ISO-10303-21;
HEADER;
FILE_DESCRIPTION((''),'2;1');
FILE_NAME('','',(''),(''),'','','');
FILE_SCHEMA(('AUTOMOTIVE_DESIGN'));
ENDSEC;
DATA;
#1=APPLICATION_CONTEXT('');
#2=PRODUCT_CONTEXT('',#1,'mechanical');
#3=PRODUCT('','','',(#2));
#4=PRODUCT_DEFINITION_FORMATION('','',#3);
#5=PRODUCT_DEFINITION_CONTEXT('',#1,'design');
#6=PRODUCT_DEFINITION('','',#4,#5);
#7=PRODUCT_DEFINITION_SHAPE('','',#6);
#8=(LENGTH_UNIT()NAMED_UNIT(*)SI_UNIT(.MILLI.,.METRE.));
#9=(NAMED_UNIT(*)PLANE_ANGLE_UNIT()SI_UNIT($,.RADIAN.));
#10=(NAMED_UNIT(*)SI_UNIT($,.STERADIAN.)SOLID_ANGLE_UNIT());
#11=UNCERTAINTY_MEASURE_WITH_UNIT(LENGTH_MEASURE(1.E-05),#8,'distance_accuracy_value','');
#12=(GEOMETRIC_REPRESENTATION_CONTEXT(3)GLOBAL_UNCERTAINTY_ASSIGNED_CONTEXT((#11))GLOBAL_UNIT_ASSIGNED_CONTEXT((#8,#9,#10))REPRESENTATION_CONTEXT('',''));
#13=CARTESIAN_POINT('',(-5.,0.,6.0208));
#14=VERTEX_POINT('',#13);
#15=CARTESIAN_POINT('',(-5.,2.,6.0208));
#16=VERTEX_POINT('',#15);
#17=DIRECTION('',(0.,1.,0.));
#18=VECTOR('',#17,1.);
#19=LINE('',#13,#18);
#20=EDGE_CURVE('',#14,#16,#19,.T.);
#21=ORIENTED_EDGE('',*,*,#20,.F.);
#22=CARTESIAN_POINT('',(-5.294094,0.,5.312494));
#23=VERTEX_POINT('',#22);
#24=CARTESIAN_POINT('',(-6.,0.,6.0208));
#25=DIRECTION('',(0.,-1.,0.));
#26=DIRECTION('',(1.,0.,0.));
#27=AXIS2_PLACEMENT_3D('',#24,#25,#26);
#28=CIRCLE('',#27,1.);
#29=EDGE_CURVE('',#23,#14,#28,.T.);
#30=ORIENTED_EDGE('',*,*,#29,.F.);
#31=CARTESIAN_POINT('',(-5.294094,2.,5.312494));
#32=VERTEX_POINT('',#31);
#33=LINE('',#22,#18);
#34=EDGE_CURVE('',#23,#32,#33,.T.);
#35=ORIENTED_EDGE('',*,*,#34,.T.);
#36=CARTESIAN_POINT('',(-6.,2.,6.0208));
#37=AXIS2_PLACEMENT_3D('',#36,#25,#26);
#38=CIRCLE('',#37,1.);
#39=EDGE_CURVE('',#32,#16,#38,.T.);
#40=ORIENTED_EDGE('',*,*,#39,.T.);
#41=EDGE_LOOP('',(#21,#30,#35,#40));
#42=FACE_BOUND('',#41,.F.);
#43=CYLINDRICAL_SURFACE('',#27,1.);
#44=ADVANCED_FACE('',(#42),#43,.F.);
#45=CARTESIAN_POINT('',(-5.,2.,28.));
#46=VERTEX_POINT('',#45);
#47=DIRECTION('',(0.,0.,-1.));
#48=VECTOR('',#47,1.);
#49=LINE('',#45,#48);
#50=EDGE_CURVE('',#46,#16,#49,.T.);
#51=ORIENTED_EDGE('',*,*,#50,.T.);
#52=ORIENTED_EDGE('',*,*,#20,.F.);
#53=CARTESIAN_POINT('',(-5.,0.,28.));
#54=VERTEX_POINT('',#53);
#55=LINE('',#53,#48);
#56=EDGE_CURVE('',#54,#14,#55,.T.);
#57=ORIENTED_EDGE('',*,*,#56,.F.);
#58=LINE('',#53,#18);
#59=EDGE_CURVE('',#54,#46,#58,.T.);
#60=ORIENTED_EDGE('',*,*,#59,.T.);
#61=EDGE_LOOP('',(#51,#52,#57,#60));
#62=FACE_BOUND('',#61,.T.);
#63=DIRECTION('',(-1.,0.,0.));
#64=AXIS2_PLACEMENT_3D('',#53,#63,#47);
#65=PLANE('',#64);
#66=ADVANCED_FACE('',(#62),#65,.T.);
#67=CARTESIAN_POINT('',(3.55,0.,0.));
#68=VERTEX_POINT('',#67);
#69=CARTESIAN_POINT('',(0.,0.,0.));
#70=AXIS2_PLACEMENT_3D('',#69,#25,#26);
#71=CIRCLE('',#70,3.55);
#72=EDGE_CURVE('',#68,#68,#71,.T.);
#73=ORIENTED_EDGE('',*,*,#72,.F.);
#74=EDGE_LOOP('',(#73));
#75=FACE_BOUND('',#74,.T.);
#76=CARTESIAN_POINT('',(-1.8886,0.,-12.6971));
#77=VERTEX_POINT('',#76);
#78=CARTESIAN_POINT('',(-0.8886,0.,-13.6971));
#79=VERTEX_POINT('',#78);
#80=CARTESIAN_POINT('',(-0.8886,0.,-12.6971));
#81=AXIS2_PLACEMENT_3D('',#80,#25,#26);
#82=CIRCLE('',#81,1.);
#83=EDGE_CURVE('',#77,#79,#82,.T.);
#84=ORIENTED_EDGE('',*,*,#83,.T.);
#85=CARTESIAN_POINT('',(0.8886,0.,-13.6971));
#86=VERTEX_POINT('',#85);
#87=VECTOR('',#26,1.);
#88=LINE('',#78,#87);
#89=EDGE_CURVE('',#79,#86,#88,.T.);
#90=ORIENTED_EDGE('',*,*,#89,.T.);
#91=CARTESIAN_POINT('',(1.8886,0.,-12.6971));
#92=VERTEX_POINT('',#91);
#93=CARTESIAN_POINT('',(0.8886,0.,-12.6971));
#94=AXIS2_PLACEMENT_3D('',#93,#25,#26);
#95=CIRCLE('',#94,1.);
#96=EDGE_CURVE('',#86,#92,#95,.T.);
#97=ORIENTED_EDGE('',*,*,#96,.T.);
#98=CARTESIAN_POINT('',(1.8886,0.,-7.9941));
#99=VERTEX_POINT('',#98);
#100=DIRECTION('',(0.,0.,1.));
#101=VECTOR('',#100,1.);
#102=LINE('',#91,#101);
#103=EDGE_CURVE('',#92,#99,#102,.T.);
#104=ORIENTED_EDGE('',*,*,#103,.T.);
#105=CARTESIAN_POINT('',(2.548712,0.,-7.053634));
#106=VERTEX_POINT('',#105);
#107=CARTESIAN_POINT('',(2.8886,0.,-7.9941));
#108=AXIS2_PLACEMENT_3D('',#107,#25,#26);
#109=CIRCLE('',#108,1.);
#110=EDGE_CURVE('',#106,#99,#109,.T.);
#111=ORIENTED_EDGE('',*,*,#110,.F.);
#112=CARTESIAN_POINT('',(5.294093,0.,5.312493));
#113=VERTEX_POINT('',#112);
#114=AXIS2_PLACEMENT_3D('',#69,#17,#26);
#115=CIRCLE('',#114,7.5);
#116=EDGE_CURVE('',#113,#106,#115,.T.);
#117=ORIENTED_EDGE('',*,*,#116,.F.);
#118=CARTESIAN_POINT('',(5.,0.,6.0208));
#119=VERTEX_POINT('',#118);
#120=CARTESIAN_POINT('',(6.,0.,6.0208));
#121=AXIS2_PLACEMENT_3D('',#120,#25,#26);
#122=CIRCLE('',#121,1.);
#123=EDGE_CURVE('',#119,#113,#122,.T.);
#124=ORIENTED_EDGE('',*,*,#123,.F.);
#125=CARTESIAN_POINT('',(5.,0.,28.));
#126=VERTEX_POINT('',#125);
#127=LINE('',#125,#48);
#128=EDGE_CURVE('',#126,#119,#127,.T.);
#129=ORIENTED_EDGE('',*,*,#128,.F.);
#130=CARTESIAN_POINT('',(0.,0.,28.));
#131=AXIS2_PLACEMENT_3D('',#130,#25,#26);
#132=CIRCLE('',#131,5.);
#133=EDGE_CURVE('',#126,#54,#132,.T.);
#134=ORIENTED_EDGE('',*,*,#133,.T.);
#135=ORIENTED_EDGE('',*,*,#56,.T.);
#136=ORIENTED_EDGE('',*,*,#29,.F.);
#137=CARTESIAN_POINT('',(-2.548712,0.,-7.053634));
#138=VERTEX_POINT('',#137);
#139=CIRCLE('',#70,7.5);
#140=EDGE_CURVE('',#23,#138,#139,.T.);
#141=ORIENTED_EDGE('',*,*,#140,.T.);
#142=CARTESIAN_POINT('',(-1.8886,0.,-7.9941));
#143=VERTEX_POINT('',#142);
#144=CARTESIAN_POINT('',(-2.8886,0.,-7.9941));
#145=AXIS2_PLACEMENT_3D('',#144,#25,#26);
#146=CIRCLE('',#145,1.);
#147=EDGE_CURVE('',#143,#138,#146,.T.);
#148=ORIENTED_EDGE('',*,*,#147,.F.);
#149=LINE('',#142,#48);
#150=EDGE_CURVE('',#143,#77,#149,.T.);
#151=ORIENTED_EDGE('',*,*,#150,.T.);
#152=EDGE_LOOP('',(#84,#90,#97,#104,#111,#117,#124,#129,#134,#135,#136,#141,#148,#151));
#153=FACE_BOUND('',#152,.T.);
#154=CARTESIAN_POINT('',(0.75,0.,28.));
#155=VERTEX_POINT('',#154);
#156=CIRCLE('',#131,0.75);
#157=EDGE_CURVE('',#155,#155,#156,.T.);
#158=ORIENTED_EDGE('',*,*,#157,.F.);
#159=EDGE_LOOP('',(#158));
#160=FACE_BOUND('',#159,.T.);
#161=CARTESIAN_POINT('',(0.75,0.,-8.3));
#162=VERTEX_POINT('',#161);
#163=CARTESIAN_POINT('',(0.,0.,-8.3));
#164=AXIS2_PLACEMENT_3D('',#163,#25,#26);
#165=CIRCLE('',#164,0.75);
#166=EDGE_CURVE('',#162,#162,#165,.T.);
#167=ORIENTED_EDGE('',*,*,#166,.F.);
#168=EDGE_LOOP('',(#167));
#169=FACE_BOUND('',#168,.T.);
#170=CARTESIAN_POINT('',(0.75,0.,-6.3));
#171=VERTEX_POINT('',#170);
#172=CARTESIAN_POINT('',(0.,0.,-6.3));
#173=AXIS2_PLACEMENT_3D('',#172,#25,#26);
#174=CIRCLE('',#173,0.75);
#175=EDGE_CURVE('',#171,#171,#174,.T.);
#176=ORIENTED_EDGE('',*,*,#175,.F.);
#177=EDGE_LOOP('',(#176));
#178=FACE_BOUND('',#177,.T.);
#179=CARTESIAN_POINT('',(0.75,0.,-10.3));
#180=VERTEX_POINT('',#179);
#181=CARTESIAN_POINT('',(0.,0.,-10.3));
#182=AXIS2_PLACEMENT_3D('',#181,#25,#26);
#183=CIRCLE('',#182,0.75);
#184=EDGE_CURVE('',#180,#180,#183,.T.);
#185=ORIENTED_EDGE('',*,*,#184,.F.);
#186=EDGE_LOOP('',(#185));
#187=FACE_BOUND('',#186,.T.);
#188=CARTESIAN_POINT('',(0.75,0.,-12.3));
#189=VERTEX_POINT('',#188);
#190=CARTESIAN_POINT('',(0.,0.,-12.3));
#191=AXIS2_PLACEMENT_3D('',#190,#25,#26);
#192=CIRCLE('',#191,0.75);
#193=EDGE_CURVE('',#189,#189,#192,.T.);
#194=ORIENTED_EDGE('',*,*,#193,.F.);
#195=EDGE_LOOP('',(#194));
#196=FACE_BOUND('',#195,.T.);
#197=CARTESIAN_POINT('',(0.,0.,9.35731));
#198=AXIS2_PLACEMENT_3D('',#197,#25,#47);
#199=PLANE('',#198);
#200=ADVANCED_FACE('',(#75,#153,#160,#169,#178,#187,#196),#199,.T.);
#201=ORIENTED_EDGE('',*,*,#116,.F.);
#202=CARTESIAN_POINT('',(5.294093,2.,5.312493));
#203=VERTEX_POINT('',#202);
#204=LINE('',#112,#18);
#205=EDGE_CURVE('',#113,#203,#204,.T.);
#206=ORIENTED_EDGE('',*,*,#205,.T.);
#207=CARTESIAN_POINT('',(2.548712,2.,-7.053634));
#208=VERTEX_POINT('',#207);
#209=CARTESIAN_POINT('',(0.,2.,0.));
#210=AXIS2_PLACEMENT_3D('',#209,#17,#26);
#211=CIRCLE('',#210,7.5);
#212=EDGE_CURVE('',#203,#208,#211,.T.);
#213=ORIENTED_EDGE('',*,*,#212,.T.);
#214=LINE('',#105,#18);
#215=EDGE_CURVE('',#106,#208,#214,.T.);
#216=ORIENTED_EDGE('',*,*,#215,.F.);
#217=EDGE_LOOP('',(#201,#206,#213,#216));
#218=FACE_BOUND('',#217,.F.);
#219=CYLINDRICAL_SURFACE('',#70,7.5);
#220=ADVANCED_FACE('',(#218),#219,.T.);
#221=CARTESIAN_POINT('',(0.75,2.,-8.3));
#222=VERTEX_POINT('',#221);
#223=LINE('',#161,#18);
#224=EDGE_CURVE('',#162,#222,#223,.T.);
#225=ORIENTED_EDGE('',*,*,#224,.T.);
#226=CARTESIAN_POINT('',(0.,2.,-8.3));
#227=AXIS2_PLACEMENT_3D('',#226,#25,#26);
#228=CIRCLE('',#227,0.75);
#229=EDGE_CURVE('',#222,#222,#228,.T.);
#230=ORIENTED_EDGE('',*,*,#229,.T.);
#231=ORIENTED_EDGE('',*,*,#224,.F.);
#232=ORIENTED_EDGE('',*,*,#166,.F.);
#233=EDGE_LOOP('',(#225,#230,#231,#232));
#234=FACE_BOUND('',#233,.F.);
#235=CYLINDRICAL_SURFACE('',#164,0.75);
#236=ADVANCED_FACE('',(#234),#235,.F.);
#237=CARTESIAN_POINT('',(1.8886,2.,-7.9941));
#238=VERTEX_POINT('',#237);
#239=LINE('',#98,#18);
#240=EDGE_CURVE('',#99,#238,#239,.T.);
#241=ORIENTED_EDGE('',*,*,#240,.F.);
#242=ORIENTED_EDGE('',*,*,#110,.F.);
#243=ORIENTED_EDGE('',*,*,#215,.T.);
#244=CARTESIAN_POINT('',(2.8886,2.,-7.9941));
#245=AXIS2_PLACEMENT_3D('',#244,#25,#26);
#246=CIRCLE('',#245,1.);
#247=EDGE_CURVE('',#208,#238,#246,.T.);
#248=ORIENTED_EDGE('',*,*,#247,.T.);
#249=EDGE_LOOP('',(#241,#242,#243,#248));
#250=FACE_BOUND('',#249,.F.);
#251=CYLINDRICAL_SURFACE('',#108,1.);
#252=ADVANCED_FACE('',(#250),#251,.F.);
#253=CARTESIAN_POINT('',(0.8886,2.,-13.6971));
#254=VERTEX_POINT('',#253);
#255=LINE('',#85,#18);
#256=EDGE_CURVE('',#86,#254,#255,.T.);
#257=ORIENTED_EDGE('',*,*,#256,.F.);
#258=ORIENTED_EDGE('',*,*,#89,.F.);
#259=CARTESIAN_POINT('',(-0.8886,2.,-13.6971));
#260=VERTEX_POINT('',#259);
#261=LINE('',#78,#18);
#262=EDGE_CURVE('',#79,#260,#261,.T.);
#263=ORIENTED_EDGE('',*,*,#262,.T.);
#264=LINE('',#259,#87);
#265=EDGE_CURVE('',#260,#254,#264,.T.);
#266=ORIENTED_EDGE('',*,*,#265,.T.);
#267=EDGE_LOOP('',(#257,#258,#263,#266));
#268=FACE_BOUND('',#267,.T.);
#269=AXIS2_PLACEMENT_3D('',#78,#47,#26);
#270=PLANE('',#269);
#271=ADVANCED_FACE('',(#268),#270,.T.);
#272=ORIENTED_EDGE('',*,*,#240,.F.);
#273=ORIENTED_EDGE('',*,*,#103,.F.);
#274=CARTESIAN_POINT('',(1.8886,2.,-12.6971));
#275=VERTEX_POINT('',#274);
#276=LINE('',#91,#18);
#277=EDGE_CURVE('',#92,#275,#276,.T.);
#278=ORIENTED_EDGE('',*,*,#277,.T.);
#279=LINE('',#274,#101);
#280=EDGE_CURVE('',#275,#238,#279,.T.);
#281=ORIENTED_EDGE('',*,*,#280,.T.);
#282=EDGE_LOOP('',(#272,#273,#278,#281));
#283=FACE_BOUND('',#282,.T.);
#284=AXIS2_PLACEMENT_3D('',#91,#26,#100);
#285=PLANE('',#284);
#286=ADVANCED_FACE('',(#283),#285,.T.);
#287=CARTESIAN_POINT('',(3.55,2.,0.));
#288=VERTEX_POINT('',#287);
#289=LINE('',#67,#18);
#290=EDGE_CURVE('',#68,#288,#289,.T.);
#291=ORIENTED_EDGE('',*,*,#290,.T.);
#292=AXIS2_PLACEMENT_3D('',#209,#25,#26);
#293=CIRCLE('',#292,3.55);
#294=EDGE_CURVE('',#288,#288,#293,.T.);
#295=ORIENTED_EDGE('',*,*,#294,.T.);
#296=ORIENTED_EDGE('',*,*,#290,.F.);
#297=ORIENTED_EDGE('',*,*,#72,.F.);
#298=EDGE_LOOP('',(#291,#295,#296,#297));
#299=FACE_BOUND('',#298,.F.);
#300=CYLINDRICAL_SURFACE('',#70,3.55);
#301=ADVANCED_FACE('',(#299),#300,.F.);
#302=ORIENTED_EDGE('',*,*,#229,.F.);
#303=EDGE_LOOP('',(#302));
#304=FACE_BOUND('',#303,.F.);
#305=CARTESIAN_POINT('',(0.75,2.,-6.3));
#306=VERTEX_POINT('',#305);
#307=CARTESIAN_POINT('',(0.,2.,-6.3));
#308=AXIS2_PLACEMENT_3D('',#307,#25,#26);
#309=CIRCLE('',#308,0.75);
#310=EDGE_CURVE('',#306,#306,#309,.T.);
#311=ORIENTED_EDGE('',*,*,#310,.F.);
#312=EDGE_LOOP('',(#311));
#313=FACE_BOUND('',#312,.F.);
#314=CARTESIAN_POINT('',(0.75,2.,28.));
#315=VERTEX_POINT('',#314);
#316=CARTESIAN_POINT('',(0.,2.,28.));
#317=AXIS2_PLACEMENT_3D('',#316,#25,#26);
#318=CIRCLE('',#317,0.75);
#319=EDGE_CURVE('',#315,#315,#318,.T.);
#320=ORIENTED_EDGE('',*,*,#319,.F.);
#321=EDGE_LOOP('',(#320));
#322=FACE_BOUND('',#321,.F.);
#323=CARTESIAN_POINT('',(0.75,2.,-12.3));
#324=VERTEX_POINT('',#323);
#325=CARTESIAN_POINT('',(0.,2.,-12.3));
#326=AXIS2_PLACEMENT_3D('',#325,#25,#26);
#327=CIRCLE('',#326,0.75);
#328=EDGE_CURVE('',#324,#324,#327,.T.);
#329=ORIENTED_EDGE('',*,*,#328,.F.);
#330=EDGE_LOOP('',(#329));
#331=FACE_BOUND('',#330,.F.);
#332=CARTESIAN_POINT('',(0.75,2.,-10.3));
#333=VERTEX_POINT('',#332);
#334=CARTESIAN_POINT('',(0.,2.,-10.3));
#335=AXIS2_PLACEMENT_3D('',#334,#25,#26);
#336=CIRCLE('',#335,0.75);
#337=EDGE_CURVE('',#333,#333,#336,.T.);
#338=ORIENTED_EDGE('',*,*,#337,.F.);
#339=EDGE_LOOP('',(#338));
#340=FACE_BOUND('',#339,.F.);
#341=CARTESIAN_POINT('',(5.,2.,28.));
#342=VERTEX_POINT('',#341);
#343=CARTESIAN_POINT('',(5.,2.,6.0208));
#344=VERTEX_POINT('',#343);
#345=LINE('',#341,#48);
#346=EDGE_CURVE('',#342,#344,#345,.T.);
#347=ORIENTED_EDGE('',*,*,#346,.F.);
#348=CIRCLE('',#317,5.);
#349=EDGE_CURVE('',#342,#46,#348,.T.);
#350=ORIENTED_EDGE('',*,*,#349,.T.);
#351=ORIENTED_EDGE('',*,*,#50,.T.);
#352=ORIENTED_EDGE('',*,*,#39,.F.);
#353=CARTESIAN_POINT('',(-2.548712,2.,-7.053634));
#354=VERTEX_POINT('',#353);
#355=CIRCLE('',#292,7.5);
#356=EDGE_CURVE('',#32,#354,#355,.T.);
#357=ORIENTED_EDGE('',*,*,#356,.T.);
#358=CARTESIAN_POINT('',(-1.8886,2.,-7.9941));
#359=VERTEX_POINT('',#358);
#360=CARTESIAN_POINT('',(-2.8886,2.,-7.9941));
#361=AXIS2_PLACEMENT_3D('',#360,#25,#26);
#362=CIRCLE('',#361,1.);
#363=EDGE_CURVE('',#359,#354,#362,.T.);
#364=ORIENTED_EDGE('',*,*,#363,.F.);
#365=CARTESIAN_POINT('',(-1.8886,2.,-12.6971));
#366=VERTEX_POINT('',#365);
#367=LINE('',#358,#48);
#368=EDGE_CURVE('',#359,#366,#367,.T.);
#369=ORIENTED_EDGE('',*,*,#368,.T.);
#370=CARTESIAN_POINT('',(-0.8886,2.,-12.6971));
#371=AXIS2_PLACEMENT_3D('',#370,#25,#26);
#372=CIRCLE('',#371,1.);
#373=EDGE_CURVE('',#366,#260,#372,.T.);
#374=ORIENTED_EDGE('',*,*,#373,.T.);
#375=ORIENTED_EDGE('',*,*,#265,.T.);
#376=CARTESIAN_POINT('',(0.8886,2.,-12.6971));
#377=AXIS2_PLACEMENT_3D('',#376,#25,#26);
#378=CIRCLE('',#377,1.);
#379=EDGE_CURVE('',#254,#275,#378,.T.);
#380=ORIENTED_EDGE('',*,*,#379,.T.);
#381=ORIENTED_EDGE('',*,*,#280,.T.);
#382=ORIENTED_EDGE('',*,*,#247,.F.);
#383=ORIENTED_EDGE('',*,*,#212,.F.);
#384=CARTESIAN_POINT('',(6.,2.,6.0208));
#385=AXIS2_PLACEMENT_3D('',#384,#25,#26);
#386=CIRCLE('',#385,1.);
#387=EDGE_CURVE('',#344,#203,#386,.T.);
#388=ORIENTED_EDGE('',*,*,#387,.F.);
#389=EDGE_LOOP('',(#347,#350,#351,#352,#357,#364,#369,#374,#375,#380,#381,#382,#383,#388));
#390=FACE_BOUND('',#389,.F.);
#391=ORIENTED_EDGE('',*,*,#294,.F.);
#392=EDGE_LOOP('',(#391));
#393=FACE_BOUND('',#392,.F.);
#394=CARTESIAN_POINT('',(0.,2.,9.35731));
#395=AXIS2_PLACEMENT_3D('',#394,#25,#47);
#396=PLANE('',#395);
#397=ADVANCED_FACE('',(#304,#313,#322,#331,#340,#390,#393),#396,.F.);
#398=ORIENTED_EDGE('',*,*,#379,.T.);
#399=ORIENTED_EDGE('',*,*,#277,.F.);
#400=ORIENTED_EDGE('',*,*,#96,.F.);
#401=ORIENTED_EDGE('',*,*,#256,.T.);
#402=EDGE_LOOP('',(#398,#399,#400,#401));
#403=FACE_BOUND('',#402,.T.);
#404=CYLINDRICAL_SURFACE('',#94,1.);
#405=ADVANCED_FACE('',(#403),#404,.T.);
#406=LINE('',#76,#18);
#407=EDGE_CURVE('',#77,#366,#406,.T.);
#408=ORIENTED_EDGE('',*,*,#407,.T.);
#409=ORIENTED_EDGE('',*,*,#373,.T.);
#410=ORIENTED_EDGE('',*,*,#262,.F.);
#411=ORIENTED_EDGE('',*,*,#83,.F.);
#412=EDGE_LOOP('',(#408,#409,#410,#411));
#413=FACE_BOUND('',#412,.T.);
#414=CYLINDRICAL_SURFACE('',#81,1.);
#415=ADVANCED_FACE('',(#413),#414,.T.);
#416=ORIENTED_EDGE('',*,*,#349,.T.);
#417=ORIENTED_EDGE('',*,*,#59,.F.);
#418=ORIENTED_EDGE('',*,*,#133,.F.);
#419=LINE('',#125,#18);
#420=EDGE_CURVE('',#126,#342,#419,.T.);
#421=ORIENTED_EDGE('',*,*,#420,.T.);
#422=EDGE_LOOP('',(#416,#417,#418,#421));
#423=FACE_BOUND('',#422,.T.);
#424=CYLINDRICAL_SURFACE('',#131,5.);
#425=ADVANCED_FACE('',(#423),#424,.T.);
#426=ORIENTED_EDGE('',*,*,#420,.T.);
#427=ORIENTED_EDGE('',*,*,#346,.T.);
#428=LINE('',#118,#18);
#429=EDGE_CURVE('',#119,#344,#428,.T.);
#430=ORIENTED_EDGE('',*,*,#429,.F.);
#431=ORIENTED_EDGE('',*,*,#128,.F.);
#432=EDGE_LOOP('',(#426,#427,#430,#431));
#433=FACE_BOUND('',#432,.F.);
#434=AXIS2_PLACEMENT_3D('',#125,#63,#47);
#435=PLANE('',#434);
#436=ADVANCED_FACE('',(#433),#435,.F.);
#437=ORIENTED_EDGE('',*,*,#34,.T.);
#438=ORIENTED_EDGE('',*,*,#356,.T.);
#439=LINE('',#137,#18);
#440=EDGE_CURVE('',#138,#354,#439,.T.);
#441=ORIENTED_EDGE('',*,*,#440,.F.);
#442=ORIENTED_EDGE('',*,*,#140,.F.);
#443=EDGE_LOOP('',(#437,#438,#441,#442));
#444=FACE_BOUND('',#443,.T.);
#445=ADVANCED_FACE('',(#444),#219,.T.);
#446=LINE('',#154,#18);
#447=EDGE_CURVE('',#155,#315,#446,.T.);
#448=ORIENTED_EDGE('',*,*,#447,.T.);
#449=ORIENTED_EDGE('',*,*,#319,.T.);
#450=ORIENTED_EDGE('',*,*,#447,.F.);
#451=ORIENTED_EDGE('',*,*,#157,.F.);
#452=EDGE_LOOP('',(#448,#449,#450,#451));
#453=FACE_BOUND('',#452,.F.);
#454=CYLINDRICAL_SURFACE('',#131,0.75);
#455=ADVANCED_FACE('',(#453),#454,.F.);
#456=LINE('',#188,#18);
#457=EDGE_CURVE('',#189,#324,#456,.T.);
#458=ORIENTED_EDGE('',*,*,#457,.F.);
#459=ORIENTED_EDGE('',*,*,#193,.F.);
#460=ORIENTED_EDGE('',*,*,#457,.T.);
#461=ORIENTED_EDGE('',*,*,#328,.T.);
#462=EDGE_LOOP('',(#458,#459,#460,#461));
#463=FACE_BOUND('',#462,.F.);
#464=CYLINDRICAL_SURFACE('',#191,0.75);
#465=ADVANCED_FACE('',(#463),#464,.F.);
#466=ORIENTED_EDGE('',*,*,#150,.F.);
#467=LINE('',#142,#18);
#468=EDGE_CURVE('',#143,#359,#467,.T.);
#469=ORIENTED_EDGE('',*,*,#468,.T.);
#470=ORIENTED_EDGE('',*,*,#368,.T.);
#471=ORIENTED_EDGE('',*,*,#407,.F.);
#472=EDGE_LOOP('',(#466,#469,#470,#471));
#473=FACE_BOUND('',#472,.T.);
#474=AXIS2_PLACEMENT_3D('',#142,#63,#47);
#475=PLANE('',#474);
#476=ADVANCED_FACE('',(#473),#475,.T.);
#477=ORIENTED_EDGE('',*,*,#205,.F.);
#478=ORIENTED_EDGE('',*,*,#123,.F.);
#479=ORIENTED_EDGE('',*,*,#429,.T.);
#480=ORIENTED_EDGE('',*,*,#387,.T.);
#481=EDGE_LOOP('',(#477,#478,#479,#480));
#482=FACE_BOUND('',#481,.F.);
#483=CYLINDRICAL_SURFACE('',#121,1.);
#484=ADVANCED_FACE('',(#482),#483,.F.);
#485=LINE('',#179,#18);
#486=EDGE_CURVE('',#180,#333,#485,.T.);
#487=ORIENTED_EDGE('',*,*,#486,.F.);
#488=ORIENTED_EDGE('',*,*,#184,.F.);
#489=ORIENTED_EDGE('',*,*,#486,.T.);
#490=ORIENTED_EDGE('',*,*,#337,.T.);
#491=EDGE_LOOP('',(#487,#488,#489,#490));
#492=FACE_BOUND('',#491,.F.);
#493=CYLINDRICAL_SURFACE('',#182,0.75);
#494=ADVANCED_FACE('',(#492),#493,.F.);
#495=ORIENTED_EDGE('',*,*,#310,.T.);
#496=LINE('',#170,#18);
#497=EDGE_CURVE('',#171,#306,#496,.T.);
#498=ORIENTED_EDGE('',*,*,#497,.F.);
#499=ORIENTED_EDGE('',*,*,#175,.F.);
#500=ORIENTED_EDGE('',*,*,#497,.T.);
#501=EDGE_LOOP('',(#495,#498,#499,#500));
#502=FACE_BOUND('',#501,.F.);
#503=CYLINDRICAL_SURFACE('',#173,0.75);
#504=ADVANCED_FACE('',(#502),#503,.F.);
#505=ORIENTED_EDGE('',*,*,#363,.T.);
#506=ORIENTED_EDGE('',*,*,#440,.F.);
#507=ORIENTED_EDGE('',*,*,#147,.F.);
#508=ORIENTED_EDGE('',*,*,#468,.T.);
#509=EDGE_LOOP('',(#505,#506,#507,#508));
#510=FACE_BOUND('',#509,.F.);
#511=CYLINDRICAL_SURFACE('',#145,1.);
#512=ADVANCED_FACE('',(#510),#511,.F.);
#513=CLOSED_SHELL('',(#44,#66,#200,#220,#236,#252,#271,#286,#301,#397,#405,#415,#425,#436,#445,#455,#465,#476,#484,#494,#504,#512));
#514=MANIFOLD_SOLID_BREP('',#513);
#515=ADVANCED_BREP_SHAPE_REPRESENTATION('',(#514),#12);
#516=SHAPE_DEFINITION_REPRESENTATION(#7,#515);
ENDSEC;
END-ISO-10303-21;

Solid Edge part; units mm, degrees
sketch "Sketch1" plane through (0, 0, 0) normal (0, -1, 0) x (1, 0, 0)
  circle A0 centre (0, 0) radius 3.55
  circle A1 centre (0, 28) radius 0.75
  line L0 (-5, 28) -> (-5, 6.0208)
  arc A2 (-5.2941, 5.3125) -> (-5, 6.0208) centre (-6, 6.0208) ccw
  arc A3 (-1.8886, -7.9941) -> (-2.5487, -7.0536) centre (-2.8886, -7.9941) ccw
  line L1 (-1.8886, -7.9941) -> (-1.8886, -12.6971)
  arc A4 (-1.8886, -12.6971) -> (-0.8886, -13.6971) centre (-0.8886, -12.6971) ccw
  line L2 (-0.8886, -13.6971) -> (0.8886, -13.6971)
  arc A5 (0.8886, -13.6971) -> (1.8886, -12.6971) centre (0.8886, -12.6971) ccw
  line L3 (1.8886, -12.6971) -> (1.8886, -7.9941)
  arc A6 (2.5487, -7.0536) -> (1.8886, -7.9941) centre (2.8886, -7.9941) ccw
  arc A7 (5.2941, 5.3125) -> (2.5487, -7.0536) centre (0, 0) cw
  arc A8 (5, 6.0208) -> (5.2941, 5.3125) centre (6, 6.0208) ccw
  line L4 (5, 28) -> (5, 6.0208)
  arc A9 (5, 28) -> (-5, 28) centre (0, 28) ccw
  arc A10 (-5.2941, 5.3125) -> (-2.5487, -7.0536) centre (0, 0) ccw
  circle A11 centre (0, -6.3) radius 0.75
  circle A12 centre (0, -8.3) radius 0.75
  circle A13 centre (0, -10.3) radius 0.75
  circle A14 centre (0, -12.3) radius 0.75
extrude "Protrusion1" add sketch "Sketch1" against normal blind 2
